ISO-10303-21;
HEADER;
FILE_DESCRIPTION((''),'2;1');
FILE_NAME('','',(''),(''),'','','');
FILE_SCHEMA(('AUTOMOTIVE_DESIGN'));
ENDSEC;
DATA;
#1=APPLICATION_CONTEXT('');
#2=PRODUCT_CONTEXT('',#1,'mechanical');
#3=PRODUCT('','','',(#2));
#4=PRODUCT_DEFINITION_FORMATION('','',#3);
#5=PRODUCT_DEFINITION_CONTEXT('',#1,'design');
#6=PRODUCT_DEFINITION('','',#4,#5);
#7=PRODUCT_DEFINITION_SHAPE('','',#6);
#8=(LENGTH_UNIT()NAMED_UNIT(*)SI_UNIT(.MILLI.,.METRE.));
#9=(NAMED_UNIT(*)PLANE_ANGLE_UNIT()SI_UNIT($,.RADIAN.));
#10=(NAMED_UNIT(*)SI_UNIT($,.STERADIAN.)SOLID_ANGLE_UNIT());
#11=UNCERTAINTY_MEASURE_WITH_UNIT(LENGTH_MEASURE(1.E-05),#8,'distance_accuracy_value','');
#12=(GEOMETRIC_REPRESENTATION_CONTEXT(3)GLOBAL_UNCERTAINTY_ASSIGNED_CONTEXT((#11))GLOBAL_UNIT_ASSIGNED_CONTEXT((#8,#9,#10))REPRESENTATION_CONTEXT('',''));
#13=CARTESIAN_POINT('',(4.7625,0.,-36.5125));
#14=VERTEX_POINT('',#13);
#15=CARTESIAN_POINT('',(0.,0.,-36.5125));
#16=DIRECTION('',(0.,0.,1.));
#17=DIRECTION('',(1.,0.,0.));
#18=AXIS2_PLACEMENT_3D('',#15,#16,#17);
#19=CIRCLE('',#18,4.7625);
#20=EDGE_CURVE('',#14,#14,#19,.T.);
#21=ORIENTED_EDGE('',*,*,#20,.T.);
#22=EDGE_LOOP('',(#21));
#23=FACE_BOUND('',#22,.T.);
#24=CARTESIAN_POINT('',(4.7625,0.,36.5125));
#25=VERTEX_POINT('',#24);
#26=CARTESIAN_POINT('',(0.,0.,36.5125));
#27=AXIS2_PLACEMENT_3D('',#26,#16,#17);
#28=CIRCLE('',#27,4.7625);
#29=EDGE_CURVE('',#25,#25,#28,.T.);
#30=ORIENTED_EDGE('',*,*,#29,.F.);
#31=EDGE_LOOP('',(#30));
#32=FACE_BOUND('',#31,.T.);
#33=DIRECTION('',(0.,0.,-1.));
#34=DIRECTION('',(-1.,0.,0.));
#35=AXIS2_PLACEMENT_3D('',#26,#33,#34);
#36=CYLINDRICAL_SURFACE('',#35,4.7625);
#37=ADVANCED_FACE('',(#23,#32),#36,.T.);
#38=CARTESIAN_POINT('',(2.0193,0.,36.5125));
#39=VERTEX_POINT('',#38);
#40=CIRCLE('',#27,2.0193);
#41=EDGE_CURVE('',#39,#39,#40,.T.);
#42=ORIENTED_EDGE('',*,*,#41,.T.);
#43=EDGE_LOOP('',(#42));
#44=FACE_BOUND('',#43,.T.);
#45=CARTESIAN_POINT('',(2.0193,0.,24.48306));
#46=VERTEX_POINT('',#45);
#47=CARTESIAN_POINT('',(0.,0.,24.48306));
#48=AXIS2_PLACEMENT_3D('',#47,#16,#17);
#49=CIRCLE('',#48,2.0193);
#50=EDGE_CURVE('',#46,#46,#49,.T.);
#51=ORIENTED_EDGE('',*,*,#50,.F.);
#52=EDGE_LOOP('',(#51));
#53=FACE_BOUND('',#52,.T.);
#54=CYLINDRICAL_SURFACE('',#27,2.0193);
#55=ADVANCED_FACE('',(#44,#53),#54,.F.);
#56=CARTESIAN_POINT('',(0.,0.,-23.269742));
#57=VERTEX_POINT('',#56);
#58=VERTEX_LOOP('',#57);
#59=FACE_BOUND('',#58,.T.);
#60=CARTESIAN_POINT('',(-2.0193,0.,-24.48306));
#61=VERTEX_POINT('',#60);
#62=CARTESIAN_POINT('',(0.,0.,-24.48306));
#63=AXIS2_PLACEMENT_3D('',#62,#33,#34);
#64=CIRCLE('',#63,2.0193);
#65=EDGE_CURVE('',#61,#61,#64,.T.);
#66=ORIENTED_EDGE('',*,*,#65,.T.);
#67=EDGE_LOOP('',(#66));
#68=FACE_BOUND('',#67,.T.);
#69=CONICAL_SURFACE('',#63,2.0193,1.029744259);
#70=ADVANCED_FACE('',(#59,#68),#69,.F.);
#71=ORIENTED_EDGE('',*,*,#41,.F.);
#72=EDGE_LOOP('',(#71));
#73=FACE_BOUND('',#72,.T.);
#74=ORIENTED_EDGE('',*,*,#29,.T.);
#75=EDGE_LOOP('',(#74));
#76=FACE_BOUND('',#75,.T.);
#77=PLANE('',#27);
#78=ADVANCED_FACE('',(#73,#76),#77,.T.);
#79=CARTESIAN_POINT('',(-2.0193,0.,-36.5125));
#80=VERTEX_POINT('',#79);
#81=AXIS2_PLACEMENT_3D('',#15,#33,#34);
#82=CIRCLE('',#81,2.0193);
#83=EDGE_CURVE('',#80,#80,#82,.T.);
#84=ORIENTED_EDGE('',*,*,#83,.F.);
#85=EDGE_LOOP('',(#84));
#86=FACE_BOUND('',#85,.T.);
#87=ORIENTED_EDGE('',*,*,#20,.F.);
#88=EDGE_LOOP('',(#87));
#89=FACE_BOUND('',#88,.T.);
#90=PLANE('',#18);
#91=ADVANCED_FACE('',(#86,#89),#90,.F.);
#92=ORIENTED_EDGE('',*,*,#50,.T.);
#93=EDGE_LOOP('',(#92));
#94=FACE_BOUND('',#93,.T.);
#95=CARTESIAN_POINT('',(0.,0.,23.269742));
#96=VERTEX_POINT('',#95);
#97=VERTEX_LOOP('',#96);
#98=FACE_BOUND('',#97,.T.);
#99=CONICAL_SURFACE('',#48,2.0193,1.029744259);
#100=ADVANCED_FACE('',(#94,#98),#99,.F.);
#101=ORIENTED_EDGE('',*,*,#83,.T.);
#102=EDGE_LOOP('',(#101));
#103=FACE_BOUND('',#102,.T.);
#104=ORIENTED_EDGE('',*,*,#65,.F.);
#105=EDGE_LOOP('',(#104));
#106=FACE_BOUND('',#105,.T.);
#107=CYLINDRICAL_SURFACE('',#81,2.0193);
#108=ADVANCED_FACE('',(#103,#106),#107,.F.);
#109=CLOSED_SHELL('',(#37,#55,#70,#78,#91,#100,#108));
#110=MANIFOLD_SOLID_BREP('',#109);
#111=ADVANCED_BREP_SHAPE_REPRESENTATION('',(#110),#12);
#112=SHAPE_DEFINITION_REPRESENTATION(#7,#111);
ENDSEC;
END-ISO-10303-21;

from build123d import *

# Parameters (mm, degrees)
SKETCH1_R                            = 4.7625
BOSS_EXTRUDE1_DEPTH                  = 36.5125
F_10_32_TAPPED_HOLE2_D               = 4.0386
F_10_32_TAPPED_HOLE2_DEPTH           = 12.02944
F_10_32_TAPPED_HOLE2_TIP             = 1.213317848
F_10_32_TAPPED_HOLE2_ON_FACE_2_D     = 4.0386
F_10_32_TAPPED_HOLE2_ON_FACE_2_DEPTH = 12.02944
F_10_32_TAPPED_HOLE2_ON_FACE_2_TIP   = 1.213317848


with BuildPart() as part:
    # Sketch1 → Boss-Extrude1 (new, symmetric)
    with BuildSketch(Plane.XY):
        Circle(SKETCH1_R)
    extrude(amount=BOSS_EXTRUDE1_DEPTH, both=True)

    # #10-32 Tapped Hole2
    with Locations(Plane(origin=(0, 0, -36.5125), x_dir=(-1, 0, 0), z_dir=(0, 0, -1))):
        with Locations((0, 0)):
            Hole(F_10_32_TAPPED_HOLE2_D / 2, depth=F_10_32_TAPPED_HOLE2_DEPTH)
            with Locations((0, 0, -(F_10_32_TAPPED_HOLE2_DEPTH + F_10_32_TAPPED_HOLE2_TIP / 2))):  # 118° drill point
                Cone(0, F_10_32_TAPPED_HOLE2_D / 2, F_10_32_TAPPED_HOLE2_TIP, mode=Mode.SUBTRACT)

    # #10-32 Tapped Hole2 on face 2
    with Locations(Plane.XY.offset(36.5125)):
        with Locations((0, 0)):
            Hole(F_10_32_TAPPED_HOLE2_ON_FACE_2_D / 2, depth=F_10_32_TAPPED_HOLE2_ON_FACE_2_DEPTH)
            with Locations((0, 0, -(F_10_32_TAPPED_HOLE2_ON_FACE_2_DEPTH + F_10_32_TAPPED_HOLE2_ON_FACE_2_TIP / 2))):  # 118° drill point
                Cone(0, F_10_32_TAPPED_HOLE2_ON_FACE_2_D / 2, F_10_32_TAPPED_HOLE2_ON_FACE_2_TIP, mode=Mode.SUBTRACT)


solid = part.part
